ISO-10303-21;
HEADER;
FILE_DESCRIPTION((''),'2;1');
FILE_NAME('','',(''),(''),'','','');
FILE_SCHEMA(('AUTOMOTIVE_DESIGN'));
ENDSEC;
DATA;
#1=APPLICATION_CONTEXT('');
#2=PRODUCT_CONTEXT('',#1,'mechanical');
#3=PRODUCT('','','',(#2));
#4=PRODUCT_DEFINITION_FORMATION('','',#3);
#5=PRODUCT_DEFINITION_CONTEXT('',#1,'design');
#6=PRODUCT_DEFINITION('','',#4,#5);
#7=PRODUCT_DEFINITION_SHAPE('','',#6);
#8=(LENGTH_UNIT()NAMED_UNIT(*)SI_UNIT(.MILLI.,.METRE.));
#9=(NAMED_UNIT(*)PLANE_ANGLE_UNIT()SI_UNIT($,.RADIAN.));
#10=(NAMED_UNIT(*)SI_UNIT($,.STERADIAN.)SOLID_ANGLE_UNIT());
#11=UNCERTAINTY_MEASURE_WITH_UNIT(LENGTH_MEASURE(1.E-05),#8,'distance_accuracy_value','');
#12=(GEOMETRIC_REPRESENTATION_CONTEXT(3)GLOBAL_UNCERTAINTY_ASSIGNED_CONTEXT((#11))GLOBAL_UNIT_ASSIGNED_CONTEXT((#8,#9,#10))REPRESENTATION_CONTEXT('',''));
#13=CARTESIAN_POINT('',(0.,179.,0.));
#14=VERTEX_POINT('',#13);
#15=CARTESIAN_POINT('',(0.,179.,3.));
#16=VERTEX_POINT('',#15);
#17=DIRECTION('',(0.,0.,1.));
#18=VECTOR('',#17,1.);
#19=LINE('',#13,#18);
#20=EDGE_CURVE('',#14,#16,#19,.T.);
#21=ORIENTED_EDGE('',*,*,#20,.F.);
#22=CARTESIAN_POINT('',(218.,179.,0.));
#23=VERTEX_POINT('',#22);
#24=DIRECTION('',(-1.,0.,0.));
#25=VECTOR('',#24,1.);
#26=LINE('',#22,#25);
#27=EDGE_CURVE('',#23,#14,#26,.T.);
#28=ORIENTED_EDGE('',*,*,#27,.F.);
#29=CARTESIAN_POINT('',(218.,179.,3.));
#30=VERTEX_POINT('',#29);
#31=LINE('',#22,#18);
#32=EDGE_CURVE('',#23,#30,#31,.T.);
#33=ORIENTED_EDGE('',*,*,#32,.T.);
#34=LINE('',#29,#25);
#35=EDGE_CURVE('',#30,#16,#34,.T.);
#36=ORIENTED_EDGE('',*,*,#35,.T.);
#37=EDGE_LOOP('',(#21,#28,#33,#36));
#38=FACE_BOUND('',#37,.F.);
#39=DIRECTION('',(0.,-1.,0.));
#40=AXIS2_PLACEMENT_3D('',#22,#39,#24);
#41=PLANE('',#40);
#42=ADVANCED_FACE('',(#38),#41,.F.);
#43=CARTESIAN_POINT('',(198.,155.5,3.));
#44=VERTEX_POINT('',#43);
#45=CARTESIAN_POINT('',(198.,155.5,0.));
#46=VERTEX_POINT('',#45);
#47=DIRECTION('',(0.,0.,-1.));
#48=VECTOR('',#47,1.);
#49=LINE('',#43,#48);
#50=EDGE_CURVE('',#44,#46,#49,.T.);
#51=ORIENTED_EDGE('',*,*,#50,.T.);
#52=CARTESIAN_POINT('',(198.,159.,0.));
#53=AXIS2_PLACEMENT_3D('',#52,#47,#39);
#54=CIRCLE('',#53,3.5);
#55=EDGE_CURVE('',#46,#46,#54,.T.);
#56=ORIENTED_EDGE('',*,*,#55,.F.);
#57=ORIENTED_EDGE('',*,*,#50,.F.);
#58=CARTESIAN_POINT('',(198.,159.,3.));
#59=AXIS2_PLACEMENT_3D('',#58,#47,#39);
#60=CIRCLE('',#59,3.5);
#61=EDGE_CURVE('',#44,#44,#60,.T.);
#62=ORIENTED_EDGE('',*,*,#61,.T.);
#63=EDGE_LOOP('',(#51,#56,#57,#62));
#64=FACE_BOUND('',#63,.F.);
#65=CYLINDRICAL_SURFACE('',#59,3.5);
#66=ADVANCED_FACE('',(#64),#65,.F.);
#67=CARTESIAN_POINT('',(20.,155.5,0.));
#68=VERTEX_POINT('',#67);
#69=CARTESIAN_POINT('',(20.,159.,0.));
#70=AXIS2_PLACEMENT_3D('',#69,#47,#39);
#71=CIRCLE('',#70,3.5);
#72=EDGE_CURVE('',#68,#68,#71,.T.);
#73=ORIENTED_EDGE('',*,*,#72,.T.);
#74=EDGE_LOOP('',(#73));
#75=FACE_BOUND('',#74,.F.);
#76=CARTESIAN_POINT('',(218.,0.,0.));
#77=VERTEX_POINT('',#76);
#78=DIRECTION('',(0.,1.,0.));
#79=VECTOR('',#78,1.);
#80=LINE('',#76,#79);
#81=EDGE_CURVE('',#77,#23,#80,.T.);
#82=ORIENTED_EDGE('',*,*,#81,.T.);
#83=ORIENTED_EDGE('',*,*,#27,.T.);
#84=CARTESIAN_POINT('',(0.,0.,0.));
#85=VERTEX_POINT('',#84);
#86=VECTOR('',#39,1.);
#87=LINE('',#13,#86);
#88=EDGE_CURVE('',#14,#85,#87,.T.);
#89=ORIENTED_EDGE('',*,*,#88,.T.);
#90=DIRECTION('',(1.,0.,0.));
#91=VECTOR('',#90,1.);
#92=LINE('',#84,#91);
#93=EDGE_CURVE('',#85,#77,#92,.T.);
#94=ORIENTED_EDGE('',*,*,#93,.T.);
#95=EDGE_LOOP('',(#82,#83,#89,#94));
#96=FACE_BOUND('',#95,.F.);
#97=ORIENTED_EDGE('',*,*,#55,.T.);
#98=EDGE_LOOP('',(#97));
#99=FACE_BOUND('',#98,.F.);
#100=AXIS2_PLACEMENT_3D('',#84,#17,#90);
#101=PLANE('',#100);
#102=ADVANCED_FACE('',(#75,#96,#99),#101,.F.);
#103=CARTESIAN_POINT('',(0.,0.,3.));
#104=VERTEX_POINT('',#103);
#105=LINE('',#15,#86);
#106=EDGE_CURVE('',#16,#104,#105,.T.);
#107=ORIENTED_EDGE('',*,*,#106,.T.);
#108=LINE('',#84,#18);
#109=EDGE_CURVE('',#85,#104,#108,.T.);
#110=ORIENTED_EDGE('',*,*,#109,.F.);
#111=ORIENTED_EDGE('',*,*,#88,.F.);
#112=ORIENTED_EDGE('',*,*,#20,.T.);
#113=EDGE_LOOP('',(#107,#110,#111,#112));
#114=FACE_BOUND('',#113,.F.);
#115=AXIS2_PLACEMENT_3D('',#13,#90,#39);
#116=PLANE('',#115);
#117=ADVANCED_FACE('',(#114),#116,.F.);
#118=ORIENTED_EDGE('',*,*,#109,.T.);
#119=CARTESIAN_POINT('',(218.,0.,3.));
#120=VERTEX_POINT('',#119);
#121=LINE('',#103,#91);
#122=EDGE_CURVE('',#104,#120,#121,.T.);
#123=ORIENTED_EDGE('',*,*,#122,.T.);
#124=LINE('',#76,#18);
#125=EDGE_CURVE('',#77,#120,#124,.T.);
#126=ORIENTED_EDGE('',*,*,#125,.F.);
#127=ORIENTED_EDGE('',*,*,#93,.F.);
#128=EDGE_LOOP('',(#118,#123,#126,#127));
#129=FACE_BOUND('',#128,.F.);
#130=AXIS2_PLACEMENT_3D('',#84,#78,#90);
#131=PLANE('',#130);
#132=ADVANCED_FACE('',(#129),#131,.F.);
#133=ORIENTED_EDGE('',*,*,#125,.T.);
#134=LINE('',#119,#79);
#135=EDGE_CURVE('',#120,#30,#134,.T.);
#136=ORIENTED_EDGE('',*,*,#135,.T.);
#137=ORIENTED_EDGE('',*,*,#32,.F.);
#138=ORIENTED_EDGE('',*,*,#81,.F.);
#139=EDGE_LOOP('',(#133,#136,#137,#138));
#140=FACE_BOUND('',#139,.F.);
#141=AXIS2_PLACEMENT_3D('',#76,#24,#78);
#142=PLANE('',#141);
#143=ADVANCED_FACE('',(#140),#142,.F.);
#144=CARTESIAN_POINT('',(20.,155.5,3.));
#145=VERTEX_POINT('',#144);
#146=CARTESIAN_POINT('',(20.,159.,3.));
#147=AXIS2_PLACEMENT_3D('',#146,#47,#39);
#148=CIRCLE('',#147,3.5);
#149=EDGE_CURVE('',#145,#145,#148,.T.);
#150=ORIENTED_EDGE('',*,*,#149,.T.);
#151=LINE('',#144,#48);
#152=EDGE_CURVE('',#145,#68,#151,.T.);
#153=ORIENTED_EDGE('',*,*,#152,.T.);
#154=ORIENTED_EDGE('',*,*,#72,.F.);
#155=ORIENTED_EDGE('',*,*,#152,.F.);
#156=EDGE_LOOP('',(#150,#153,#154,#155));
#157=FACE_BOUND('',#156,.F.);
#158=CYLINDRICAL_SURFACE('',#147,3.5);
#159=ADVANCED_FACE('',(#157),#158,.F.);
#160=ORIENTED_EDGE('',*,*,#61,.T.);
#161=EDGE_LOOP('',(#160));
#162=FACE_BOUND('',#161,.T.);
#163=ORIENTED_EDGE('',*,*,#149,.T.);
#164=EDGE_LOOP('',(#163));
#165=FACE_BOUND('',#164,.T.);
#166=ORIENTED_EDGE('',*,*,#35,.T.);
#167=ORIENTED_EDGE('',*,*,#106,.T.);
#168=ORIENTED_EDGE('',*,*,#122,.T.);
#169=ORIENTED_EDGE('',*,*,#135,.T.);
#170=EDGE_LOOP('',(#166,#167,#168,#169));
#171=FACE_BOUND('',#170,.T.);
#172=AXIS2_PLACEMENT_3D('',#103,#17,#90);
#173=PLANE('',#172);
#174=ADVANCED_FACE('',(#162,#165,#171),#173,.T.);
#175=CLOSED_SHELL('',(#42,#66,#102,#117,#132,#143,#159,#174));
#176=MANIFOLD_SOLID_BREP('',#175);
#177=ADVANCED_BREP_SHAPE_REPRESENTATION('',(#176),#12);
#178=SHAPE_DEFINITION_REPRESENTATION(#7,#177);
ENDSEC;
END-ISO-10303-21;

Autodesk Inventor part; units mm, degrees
ref_plane "YZ Plane" through (0, 0, 0) normal (1, 0, 0) x (0, 1, 0)
ref_plane "XZ Plane" through (0, 0, 0) normal (0, 1, 0) x (-1, 0, 0)
ref_plane "XY Plane" through (0, 0, 0) normal (0, 0, 1) x (1, 0, 0)
sketch "Sketch1" plane through (0, 0, 0) normal (0, 0, 1) x (1, 0, 0)
  line L0 (0, 0) -> (218, 0)
  line L1 (218, 0) -> (218, 179)
  line L2 (218, 179) -> (0, 179)
  line L3 (0, 179) -> (0, 0)
  dimension "d0" = 218
  dimension "d1" = 179
extrude "Extrusion1" add sketch "Sketch1" along normal blind 3
sketch "Sketch2" plane through (0, 0, 3) normal (0, 0, 1) x (1, 0, 0)
  line L0 (0, 179) -> (0, 0) projected
  line L1 (218, 179) -> (0, 179) projected
  line L2 (218, 0) -> (218, 179) projected
  point P0 (20, 159)
  point P1 (198, 159)
  dimension "d4" = 20
  dimension "d5" = 20
  dimension "d6" = 20
  dimension "d7" = 20
hole "Hole1" at (20, 159, 3) at (198, 159, 3) direction (0, 0, -1) diameter 7 end through all
sketch "Sketch5" plane through (0, 0, 0) normal (0, 0, -1) x (-1, 0, 0)
  circle A0 centre (-125.83, 33.13) radius 1.75 projected
  circle A1 centre (-52.17, 33.13) radius 1.75 projected
  circle A2 centre (-48.3599, 118.8631) radius 1.5875 projected
  circle A3 centre (-128.3699, 118.8631) radius 1.5875 projected
  circle A4 centre (-12.2249, 126.0006) radius 1.6 projected
  circle A5 centre (-162.2249, 126.0006) radius 1.6 projected
  circle A6 centre (-37.2249, 151.0006) radius 1.6 projected
  circle A7 centre (-137.2249, 151.0006) radius 1.6 projected
  line L0 (0, 0) -> (-218, 0) projected
  line L1 (0, 179) -> (0, 0) projected
  line L2 (-218, 179) -> (0, 179) projected
  dimension "d37" = 33.13
  dimension "d38" = 118.8631
  dimension "d39" = 118.8631
  dimension "d40" = 48.3599
  dimension "d41" = 128.3699
  dimension "d42" = 52.17
  dimension "d43" = 125.83
  dimension "d44" = 12.2249
  dimension "d45" = 37.2249
  dimension "d46" = 162.2249
  dimension "d47" = 137.2249
  dimension "d48" = 218
  dimension "d49" = 179
  dimension "d50" = 126.0006
  dimension "d51" = 151.0006
properties part number "SupportsheetCDH2" material "Aluminum 6061"
